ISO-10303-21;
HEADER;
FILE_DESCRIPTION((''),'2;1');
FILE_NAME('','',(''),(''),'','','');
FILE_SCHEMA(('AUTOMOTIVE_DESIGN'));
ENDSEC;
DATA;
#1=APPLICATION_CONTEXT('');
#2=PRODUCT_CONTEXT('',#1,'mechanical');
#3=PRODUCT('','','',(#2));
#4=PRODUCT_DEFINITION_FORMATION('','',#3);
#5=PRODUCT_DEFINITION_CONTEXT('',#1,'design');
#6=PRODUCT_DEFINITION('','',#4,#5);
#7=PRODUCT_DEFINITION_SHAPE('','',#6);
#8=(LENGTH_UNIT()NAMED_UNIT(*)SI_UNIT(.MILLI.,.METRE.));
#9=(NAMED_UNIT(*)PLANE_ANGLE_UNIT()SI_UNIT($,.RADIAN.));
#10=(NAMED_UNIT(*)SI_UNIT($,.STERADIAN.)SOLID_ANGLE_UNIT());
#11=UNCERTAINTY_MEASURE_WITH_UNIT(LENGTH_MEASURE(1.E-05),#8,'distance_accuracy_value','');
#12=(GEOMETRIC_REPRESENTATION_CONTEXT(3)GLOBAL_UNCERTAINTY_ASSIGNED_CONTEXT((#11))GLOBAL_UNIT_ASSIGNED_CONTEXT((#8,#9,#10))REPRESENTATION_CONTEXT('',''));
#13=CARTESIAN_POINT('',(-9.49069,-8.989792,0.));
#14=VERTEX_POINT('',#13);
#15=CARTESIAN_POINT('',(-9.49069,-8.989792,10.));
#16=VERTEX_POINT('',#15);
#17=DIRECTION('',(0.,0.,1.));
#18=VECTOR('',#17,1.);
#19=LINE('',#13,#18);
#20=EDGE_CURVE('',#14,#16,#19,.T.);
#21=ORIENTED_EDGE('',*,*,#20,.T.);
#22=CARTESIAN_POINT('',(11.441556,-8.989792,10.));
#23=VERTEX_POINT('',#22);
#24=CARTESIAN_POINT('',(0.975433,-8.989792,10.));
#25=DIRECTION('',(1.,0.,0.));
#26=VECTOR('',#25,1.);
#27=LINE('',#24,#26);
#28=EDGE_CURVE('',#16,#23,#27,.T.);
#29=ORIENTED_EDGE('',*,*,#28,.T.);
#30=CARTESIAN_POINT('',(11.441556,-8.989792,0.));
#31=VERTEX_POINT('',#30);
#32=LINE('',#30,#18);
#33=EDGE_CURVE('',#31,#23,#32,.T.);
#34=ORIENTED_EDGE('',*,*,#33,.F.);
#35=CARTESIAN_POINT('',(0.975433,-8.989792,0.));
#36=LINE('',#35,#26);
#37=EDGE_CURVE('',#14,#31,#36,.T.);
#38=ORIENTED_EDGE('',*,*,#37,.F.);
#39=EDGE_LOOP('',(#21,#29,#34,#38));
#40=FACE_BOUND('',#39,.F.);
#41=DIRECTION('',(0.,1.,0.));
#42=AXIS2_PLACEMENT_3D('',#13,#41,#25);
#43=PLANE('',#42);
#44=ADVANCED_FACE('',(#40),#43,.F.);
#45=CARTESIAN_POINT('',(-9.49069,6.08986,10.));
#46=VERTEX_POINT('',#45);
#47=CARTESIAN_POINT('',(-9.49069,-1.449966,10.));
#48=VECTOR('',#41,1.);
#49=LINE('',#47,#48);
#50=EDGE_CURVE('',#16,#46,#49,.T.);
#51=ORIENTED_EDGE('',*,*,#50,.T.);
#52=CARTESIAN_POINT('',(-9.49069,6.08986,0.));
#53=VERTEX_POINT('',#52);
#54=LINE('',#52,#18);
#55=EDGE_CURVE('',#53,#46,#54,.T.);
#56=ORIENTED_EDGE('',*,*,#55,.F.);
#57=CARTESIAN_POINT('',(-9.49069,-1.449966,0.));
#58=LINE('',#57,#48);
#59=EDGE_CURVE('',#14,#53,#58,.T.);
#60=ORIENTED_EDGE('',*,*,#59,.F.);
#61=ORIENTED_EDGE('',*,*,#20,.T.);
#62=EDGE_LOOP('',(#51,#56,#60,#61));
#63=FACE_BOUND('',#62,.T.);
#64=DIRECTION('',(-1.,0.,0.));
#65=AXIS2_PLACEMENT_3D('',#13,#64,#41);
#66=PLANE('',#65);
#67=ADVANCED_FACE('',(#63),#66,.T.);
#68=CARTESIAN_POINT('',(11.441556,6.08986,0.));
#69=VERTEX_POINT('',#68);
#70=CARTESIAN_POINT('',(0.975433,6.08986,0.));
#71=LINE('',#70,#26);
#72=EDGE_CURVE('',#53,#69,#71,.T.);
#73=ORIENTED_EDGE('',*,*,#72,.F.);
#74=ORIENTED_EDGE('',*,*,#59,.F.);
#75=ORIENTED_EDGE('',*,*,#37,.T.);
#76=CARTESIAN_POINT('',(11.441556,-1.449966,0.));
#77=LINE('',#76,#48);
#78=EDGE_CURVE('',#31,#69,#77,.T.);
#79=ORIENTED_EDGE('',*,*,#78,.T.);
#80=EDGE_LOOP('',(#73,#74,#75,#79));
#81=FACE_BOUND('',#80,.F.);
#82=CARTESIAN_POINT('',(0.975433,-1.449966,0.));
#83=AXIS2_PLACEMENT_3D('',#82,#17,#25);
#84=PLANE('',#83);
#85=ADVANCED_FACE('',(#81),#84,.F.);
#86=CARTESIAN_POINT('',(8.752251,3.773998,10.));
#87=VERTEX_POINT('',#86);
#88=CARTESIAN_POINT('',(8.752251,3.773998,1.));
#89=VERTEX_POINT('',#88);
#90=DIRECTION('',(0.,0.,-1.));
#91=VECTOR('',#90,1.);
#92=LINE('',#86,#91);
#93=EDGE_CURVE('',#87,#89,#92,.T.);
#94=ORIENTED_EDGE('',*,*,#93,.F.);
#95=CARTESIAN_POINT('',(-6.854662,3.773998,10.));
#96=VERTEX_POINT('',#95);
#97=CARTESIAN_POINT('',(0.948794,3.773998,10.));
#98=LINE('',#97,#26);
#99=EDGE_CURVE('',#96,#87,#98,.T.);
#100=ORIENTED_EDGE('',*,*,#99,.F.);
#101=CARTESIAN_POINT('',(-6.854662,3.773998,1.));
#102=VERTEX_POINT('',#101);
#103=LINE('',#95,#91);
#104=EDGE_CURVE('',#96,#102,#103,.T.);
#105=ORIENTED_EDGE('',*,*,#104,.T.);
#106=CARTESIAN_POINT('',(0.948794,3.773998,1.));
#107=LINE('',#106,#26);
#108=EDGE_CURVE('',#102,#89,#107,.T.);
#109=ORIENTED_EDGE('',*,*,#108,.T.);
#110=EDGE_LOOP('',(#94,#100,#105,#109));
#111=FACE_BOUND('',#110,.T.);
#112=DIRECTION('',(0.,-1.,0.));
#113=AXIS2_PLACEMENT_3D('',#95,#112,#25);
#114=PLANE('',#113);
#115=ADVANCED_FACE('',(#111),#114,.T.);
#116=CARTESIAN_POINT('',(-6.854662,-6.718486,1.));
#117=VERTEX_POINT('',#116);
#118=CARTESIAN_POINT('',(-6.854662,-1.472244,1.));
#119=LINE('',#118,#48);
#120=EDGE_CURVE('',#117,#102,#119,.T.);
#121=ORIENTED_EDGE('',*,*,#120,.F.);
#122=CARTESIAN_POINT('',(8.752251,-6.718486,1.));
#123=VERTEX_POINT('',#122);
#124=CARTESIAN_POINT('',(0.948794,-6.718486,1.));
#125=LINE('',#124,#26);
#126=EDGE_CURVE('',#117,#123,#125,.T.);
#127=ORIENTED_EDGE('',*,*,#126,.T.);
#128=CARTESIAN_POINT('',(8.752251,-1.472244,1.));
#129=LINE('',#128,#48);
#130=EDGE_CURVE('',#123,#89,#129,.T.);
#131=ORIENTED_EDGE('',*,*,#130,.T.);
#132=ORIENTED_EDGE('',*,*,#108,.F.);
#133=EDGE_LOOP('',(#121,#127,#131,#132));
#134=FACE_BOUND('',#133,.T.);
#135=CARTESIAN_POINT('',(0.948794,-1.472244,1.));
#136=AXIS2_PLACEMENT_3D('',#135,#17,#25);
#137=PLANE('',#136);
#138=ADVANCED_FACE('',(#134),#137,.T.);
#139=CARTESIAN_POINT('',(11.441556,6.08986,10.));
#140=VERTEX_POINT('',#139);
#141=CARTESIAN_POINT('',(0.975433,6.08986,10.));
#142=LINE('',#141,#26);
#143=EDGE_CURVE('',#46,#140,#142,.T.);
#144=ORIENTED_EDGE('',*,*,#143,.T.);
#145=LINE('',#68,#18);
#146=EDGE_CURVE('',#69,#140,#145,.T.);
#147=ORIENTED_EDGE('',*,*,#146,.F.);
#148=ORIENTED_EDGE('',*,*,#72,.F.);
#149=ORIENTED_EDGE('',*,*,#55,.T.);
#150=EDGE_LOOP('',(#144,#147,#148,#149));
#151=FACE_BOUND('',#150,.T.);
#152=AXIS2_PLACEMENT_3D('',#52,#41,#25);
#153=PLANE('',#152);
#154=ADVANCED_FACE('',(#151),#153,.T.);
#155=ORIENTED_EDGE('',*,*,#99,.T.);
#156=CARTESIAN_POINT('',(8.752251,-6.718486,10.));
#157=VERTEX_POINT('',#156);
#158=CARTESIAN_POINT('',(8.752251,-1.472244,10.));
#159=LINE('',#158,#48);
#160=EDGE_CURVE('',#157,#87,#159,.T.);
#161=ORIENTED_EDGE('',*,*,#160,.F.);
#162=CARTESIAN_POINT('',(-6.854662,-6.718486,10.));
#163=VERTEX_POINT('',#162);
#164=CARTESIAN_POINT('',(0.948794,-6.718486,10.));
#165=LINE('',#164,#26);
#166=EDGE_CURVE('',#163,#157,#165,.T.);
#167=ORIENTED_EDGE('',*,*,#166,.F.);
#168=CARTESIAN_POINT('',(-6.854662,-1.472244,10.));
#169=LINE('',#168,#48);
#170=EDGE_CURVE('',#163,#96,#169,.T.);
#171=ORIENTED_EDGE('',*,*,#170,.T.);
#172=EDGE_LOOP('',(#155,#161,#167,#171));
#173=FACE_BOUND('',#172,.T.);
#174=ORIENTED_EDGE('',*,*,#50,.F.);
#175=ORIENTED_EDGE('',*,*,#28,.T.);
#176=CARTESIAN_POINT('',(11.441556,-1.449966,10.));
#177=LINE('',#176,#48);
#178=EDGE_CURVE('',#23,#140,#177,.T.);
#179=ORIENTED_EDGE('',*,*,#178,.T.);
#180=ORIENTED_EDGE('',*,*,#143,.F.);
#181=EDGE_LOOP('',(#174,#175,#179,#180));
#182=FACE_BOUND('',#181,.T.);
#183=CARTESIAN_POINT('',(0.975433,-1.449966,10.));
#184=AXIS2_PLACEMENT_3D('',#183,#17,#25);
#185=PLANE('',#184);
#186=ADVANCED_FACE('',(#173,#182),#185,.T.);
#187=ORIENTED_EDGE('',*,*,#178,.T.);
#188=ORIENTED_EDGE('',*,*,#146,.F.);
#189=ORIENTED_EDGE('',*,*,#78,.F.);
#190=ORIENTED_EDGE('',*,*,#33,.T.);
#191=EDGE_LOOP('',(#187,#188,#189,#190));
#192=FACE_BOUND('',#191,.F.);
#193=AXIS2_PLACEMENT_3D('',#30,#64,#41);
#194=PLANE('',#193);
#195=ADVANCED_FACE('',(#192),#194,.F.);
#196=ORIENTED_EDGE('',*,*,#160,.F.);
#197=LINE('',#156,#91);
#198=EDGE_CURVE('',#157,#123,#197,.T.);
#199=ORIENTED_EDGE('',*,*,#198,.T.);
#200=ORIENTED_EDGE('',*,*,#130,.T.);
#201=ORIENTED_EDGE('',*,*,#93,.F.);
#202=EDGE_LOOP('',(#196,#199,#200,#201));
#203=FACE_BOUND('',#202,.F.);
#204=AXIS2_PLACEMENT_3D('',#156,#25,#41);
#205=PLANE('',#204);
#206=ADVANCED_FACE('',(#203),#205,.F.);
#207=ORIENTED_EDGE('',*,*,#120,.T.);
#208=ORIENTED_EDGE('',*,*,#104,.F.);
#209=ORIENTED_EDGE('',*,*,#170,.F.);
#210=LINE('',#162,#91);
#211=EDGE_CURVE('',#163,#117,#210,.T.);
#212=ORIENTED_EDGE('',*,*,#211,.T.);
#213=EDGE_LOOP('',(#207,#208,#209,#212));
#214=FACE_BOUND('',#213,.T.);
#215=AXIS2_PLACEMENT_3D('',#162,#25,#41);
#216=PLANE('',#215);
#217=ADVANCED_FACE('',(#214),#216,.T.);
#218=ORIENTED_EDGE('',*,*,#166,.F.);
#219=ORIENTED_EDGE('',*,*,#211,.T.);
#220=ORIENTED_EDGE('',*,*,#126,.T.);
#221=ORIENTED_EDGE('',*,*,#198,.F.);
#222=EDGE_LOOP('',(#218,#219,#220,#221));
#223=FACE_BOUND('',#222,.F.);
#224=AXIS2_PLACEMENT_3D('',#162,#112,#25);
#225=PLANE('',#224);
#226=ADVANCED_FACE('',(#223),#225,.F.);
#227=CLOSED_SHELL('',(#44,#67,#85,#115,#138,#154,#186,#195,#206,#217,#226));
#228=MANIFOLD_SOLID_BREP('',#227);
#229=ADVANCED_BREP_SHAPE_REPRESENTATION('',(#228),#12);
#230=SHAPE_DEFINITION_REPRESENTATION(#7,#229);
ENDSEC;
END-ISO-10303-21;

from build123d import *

# Parameters (mm, degrees)
SKETCH_W     = 20.932246
SKETCH_H     = 15.079651
PAD_DEPTH    = 10
SKETCH001_W  = 15.606913
SKETCH001_H  = 10.492484
POCKET_DEPTH = 9


with BuildPart() as part:
    # Sketch → Pad (new body)
    with BuildSketch(Plane.XY):
        with Locations((0.975433, -1.449966)):
            Rectangle(SKETCH_W, SKETCH_H)
    extrude(amount=PAD_DEPTH)

    # Sketch001 (on Face6 of Pad) → Pocket (cut)
    with BuildSketch(Plane.XY.offset(10)):
        with Locations((0.948794, -1.472244)):
            Rectangle(SKETCH001_W, SKETCH001_H)
    extrude(amount=-POCKET_DEPTH, mode=Mode.SUBTRACT)


solid = part.part
